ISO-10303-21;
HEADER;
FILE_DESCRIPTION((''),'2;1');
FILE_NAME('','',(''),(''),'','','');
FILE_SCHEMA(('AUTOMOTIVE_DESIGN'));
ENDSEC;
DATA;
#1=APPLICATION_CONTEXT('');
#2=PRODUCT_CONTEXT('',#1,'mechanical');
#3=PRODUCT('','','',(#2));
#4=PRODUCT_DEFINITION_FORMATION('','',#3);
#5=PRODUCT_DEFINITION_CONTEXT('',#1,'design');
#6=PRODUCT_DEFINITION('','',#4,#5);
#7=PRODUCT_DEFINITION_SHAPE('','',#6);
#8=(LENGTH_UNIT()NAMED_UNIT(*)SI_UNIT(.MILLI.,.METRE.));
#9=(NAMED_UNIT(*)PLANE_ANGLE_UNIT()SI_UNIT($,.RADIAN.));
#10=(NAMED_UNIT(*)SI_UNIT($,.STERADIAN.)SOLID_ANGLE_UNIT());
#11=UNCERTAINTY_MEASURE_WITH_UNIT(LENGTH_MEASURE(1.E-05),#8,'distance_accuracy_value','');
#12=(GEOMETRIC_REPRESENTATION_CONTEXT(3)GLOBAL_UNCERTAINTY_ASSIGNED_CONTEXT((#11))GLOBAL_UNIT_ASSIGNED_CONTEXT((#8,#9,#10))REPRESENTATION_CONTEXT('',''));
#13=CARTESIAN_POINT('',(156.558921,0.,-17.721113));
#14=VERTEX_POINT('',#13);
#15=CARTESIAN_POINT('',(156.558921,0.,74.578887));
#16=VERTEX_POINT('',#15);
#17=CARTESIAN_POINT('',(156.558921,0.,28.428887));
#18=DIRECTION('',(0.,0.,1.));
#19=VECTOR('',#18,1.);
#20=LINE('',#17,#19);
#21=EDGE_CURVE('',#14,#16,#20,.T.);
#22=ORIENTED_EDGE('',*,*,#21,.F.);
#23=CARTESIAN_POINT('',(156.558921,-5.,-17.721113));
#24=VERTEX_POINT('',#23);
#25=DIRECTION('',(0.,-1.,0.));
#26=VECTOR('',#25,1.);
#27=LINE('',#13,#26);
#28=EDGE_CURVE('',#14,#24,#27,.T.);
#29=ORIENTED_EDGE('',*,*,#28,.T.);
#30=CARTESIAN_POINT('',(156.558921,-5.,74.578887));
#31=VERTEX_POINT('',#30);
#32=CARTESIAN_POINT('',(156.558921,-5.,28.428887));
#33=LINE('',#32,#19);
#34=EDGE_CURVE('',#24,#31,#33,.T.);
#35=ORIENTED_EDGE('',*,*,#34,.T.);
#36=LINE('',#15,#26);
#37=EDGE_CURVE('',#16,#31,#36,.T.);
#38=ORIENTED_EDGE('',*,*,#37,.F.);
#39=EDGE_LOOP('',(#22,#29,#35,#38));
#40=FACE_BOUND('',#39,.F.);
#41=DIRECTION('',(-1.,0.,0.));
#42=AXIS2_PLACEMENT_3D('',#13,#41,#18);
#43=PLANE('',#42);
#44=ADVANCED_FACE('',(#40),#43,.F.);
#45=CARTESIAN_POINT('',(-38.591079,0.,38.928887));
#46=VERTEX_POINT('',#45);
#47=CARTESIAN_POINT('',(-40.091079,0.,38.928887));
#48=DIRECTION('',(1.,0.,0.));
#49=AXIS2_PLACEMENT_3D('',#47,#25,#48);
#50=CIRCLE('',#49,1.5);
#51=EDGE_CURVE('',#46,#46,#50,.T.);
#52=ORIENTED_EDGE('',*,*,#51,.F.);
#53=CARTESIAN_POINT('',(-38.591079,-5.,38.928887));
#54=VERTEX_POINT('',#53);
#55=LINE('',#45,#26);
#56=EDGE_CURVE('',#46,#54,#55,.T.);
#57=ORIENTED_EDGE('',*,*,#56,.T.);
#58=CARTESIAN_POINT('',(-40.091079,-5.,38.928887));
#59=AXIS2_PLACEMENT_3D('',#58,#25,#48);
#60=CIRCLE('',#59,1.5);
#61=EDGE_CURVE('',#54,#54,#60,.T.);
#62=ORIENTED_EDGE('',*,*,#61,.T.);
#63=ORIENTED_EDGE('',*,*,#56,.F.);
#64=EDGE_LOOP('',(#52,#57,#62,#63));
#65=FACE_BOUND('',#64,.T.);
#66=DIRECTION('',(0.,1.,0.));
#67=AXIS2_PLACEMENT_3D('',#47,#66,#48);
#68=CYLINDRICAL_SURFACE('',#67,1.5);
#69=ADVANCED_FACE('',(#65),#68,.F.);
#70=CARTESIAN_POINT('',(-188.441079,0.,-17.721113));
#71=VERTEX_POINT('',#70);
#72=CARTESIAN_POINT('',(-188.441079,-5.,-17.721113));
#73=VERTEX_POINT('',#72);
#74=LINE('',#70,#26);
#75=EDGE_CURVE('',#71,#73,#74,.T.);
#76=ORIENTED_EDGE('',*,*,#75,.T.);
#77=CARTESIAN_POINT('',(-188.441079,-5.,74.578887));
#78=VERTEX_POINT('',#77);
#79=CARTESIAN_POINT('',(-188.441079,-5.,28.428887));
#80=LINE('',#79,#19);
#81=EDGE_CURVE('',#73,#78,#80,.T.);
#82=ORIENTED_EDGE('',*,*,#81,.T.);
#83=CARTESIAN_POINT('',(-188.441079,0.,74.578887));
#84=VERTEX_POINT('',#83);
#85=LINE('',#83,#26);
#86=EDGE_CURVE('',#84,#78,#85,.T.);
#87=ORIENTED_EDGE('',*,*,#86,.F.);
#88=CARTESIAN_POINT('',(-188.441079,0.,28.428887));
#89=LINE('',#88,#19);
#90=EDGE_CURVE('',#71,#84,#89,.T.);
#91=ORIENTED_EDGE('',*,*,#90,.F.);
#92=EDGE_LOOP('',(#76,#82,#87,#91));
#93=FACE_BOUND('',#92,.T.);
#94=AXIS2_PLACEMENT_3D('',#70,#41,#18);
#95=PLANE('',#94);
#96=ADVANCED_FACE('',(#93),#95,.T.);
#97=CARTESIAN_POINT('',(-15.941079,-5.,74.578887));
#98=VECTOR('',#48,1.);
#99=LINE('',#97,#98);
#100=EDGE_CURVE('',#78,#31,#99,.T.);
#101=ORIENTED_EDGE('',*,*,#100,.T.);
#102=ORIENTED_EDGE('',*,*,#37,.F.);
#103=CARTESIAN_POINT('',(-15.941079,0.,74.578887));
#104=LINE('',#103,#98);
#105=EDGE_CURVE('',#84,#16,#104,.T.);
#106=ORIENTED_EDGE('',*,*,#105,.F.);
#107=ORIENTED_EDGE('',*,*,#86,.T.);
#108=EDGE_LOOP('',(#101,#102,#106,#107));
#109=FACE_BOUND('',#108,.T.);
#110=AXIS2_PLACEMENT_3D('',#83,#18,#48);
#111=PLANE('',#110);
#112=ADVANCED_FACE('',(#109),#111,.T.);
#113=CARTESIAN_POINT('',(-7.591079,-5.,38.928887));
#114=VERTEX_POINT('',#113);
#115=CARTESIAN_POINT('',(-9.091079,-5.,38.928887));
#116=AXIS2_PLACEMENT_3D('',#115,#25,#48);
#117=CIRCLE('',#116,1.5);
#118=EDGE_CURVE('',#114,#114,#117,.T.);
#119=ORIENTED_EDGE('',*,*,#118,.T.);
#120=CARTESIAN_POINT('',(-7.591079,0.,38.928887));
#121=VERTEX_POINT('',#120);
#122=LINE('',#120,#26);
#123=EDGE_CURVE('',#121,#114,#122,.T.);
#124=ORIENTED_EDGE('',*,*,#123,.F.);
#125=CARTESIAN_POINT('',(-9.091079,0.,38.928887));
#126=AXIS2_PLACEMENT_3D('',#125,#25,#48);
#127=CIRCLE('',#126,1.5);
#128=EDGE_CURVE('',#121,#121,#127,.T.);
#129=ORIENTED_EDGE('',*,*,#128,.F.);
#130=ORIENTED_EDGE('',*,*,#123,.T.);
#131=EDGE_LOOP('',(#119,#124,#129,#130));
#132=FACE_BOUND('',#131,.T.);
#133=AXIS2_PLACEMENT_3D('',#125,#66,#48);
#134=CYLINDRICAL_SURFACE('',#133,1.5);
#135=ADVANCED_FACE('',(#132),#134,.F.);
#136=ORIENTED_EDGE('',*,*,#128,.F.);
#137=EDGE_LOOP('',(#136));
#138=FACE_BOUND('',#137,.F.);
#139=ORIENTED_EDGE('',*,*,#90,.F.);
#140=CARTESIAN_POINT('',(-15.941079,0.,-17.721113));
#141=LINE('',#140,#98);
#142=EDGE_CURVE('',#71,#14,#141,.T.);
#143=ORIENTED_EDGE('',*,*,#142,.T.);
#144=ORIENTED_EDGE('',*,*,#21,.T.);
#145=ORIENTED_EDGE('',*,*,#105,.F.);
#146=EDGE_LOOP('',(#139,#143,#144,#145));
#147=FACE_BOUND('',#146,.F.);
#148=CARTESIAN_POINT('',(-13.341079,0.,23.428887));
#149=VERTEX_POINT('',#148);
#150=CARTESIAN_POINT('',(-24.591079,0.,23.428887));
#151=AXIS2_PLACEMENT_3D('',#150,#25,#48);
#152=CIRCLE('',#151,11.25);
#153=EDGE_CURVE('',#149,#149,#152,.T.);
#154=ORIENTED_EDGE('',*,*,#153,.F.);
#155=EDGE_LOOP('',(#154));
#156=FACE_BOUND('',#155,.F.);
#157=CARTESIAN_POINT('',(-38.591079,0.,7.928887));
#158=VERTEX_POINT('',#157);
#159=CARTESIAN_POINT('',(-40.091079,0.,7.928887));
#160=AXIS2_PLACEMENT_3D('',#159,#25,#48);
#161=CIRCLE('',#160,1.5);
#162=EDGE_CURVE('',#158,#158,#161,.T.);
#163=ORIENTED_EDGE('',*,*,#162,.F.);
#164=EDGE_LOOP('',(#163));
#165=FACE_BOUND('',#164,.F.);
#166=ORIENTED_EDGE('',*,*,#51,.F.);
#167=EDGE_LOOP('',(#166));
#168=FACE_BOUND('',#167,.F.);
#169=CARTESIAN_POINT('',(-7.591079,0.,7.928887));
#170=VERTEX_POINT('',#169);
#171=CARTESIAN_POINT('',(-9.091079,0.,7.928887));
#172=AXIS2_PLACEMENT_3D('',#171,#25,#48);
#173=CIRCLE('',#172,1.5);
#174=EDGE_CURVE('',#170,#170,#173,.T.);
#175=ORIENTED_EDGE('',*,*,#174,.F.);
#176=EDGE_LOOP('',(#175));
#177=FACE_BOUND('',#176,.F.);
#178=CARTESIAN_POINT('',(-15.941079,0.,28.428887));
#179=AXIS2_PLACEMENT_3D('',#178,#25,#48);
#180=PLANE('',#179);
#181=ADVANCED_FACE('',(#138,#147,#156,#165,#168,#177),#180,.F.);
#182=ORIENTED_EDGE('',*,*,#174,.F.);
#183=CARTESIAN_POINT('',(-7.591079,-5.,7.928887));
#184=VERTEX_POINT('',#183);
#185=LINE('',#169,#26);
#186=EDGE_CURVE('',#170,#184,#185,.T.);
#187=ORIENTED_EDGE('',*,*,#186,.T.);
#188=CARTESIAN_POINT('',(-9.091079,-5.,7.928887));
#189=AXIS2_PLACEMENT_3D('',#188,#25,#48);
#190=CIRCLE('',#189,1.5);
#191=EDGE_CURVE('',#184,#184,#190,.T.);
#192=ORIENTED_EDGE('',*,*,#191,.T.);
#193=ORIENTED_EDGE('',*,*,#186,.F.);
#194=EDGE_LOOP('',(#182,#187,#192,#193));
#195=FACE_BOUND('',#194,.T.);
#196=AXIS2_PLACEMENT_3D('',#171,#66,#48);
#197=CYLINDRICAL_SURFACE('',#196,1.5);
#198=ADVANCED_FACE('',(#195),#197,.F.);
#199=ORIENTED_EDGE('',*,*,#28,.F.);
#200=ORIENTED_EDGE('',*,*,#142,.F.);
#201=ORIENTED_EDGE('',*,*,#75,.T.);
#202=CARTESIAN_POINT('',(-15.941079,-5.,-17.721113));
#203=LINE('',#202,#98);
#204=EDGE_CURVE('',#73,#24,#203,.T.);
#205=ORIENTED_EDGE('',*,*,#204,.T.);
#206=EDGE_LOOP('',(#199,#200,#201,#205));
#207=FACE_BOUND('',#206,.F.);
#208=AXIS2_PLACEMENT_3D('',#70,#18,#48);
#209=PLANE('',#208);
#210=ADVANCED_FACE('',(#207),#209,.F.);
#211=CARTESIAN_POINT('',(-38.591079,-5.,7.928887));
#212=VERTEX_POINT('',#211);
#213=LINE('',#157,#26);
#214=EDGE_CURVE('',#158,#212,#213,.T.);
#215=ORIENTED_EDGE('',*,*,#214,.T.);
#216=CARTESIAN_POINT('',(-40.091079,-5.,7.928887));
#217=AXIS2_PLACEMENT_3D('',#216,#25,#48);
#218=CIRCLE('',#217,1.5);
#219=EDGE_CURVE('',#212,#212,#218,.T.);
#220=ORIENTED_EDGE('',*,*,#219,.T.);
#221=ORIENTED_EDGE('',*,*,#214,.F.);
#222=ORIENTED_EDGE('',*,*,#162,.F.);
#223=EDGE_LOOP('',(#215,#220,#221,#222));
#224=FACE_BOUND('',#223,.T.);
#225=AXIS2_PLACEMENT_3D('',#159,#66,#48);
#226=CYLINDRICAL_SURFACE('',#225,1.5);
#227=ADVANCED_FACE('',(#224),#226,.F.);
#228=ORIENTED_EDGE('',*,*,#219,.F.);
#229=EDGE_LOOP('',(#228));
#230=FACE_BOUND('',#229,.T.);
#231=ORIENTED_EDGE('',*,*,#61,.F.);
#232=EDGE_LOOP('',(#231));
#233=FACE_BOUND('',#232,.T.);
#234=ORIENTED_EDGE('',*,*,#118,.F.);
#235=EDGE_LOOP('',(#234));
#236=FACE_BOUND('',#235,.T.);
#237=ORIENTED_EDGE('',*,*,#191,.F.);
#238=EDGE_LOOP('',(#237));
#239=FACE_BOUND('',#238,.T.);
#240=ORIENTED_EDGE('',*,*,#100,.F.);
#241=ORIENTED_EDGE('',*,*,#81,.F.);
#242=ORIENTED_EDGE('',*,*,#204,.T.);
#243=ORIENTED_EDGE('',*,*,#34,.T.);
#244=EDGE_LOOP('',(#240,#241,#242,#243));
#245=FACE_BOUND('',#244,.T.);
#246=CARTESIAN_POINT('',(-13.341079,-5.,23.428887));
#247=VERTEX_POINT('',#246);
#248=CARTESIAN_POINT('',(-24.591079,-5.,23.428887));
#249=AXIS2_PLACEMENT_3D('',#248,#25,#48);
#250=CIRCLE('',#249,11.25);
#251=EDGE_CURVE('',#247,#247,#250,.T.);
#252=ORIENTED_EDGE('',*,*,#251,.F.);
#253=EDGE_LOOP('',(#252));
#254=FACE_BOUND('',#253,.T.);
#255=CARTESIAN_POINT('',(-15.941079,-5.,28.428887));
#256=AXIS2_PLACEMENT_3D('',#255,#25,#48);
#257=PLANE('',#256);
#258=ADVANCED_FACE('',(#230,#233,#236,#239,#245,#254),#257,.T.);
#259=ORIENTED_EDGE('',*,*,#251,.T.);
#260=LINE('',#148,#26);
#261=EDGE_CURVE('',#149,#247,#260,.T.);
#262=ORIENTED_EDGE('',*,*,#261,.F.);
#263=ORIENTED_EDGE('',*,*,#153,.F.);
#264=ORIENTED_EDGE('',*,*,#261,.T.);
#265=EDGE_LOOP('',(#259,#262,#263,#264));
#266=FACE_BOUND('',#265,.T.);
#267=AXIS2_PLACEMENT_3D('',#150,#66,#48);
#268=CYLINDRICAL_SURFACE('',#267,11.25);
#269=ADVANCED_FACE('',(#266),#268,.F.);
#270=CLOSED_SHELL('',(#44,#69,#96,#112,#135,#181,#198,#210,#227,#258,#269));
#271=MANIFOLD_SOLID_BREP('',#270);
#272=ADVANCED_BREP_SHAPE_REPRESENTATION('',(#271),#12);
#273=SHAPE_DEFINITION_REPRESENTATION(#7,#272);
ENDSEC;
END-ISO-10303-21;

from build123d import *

# Parameters (mm, degrees)
F0_W     = 345
F0_H     = 92.3
F0_R     = 1.5
F0_R_2   = 11.25
F1_DEPTH = 5


with BuildPart() as f1:
    # F0 (on Front) → F1 (new body)
    with BuildSketch(Plane.XZ):
        with Locations((-15.941079, 28.428887)):
            Rectangle(F0_W, F0_H)
        Polygon((-45.741079, 7.278887), (-45.741079, 39.578887), (-40.741079, 44.578887), (-8.441079, 44.578887), (-3.441079, 39.578887), (-3.441079, 7.278887), (-8.441079, 2.278887), (-40.741079, 2.278887), align=None, mode=Mode.SUBTRACT)
        Polygon((-40.741079, 44.578887), (-45.741079, 39.578887), (-45.741079, 7.278887), (-40.741079, 2.278887), (-8.441079, 2.278887), (-3.441079, 7.278887), (-3.441079, 39.578887), (-8.441079, 44.578887), align=None)
        with Locations((-40.091079, 7.928887)):
            Circle(F0_R, mode=Mode.SUBTRACT)
        with Locations((-24.591079, 23.428887)):
            Circle(F0_R_2, mode=Mode.SUBTRACT)
        with Locations((-9.091079, 7.928887)):
            Circle(F0_R, mode=Mode.SUBTRACT)
        with Locations((-40.091079, 38.928887)):
            Circle(F0_R, mode=Mode.SUBTRACT)
        with Locations((-9.091079, 38.928887)):
            Circle(F0_R, mode=Mode.SUBTRACT)
    extrude(amount=F1_DEPTH)


solid = f1.part
